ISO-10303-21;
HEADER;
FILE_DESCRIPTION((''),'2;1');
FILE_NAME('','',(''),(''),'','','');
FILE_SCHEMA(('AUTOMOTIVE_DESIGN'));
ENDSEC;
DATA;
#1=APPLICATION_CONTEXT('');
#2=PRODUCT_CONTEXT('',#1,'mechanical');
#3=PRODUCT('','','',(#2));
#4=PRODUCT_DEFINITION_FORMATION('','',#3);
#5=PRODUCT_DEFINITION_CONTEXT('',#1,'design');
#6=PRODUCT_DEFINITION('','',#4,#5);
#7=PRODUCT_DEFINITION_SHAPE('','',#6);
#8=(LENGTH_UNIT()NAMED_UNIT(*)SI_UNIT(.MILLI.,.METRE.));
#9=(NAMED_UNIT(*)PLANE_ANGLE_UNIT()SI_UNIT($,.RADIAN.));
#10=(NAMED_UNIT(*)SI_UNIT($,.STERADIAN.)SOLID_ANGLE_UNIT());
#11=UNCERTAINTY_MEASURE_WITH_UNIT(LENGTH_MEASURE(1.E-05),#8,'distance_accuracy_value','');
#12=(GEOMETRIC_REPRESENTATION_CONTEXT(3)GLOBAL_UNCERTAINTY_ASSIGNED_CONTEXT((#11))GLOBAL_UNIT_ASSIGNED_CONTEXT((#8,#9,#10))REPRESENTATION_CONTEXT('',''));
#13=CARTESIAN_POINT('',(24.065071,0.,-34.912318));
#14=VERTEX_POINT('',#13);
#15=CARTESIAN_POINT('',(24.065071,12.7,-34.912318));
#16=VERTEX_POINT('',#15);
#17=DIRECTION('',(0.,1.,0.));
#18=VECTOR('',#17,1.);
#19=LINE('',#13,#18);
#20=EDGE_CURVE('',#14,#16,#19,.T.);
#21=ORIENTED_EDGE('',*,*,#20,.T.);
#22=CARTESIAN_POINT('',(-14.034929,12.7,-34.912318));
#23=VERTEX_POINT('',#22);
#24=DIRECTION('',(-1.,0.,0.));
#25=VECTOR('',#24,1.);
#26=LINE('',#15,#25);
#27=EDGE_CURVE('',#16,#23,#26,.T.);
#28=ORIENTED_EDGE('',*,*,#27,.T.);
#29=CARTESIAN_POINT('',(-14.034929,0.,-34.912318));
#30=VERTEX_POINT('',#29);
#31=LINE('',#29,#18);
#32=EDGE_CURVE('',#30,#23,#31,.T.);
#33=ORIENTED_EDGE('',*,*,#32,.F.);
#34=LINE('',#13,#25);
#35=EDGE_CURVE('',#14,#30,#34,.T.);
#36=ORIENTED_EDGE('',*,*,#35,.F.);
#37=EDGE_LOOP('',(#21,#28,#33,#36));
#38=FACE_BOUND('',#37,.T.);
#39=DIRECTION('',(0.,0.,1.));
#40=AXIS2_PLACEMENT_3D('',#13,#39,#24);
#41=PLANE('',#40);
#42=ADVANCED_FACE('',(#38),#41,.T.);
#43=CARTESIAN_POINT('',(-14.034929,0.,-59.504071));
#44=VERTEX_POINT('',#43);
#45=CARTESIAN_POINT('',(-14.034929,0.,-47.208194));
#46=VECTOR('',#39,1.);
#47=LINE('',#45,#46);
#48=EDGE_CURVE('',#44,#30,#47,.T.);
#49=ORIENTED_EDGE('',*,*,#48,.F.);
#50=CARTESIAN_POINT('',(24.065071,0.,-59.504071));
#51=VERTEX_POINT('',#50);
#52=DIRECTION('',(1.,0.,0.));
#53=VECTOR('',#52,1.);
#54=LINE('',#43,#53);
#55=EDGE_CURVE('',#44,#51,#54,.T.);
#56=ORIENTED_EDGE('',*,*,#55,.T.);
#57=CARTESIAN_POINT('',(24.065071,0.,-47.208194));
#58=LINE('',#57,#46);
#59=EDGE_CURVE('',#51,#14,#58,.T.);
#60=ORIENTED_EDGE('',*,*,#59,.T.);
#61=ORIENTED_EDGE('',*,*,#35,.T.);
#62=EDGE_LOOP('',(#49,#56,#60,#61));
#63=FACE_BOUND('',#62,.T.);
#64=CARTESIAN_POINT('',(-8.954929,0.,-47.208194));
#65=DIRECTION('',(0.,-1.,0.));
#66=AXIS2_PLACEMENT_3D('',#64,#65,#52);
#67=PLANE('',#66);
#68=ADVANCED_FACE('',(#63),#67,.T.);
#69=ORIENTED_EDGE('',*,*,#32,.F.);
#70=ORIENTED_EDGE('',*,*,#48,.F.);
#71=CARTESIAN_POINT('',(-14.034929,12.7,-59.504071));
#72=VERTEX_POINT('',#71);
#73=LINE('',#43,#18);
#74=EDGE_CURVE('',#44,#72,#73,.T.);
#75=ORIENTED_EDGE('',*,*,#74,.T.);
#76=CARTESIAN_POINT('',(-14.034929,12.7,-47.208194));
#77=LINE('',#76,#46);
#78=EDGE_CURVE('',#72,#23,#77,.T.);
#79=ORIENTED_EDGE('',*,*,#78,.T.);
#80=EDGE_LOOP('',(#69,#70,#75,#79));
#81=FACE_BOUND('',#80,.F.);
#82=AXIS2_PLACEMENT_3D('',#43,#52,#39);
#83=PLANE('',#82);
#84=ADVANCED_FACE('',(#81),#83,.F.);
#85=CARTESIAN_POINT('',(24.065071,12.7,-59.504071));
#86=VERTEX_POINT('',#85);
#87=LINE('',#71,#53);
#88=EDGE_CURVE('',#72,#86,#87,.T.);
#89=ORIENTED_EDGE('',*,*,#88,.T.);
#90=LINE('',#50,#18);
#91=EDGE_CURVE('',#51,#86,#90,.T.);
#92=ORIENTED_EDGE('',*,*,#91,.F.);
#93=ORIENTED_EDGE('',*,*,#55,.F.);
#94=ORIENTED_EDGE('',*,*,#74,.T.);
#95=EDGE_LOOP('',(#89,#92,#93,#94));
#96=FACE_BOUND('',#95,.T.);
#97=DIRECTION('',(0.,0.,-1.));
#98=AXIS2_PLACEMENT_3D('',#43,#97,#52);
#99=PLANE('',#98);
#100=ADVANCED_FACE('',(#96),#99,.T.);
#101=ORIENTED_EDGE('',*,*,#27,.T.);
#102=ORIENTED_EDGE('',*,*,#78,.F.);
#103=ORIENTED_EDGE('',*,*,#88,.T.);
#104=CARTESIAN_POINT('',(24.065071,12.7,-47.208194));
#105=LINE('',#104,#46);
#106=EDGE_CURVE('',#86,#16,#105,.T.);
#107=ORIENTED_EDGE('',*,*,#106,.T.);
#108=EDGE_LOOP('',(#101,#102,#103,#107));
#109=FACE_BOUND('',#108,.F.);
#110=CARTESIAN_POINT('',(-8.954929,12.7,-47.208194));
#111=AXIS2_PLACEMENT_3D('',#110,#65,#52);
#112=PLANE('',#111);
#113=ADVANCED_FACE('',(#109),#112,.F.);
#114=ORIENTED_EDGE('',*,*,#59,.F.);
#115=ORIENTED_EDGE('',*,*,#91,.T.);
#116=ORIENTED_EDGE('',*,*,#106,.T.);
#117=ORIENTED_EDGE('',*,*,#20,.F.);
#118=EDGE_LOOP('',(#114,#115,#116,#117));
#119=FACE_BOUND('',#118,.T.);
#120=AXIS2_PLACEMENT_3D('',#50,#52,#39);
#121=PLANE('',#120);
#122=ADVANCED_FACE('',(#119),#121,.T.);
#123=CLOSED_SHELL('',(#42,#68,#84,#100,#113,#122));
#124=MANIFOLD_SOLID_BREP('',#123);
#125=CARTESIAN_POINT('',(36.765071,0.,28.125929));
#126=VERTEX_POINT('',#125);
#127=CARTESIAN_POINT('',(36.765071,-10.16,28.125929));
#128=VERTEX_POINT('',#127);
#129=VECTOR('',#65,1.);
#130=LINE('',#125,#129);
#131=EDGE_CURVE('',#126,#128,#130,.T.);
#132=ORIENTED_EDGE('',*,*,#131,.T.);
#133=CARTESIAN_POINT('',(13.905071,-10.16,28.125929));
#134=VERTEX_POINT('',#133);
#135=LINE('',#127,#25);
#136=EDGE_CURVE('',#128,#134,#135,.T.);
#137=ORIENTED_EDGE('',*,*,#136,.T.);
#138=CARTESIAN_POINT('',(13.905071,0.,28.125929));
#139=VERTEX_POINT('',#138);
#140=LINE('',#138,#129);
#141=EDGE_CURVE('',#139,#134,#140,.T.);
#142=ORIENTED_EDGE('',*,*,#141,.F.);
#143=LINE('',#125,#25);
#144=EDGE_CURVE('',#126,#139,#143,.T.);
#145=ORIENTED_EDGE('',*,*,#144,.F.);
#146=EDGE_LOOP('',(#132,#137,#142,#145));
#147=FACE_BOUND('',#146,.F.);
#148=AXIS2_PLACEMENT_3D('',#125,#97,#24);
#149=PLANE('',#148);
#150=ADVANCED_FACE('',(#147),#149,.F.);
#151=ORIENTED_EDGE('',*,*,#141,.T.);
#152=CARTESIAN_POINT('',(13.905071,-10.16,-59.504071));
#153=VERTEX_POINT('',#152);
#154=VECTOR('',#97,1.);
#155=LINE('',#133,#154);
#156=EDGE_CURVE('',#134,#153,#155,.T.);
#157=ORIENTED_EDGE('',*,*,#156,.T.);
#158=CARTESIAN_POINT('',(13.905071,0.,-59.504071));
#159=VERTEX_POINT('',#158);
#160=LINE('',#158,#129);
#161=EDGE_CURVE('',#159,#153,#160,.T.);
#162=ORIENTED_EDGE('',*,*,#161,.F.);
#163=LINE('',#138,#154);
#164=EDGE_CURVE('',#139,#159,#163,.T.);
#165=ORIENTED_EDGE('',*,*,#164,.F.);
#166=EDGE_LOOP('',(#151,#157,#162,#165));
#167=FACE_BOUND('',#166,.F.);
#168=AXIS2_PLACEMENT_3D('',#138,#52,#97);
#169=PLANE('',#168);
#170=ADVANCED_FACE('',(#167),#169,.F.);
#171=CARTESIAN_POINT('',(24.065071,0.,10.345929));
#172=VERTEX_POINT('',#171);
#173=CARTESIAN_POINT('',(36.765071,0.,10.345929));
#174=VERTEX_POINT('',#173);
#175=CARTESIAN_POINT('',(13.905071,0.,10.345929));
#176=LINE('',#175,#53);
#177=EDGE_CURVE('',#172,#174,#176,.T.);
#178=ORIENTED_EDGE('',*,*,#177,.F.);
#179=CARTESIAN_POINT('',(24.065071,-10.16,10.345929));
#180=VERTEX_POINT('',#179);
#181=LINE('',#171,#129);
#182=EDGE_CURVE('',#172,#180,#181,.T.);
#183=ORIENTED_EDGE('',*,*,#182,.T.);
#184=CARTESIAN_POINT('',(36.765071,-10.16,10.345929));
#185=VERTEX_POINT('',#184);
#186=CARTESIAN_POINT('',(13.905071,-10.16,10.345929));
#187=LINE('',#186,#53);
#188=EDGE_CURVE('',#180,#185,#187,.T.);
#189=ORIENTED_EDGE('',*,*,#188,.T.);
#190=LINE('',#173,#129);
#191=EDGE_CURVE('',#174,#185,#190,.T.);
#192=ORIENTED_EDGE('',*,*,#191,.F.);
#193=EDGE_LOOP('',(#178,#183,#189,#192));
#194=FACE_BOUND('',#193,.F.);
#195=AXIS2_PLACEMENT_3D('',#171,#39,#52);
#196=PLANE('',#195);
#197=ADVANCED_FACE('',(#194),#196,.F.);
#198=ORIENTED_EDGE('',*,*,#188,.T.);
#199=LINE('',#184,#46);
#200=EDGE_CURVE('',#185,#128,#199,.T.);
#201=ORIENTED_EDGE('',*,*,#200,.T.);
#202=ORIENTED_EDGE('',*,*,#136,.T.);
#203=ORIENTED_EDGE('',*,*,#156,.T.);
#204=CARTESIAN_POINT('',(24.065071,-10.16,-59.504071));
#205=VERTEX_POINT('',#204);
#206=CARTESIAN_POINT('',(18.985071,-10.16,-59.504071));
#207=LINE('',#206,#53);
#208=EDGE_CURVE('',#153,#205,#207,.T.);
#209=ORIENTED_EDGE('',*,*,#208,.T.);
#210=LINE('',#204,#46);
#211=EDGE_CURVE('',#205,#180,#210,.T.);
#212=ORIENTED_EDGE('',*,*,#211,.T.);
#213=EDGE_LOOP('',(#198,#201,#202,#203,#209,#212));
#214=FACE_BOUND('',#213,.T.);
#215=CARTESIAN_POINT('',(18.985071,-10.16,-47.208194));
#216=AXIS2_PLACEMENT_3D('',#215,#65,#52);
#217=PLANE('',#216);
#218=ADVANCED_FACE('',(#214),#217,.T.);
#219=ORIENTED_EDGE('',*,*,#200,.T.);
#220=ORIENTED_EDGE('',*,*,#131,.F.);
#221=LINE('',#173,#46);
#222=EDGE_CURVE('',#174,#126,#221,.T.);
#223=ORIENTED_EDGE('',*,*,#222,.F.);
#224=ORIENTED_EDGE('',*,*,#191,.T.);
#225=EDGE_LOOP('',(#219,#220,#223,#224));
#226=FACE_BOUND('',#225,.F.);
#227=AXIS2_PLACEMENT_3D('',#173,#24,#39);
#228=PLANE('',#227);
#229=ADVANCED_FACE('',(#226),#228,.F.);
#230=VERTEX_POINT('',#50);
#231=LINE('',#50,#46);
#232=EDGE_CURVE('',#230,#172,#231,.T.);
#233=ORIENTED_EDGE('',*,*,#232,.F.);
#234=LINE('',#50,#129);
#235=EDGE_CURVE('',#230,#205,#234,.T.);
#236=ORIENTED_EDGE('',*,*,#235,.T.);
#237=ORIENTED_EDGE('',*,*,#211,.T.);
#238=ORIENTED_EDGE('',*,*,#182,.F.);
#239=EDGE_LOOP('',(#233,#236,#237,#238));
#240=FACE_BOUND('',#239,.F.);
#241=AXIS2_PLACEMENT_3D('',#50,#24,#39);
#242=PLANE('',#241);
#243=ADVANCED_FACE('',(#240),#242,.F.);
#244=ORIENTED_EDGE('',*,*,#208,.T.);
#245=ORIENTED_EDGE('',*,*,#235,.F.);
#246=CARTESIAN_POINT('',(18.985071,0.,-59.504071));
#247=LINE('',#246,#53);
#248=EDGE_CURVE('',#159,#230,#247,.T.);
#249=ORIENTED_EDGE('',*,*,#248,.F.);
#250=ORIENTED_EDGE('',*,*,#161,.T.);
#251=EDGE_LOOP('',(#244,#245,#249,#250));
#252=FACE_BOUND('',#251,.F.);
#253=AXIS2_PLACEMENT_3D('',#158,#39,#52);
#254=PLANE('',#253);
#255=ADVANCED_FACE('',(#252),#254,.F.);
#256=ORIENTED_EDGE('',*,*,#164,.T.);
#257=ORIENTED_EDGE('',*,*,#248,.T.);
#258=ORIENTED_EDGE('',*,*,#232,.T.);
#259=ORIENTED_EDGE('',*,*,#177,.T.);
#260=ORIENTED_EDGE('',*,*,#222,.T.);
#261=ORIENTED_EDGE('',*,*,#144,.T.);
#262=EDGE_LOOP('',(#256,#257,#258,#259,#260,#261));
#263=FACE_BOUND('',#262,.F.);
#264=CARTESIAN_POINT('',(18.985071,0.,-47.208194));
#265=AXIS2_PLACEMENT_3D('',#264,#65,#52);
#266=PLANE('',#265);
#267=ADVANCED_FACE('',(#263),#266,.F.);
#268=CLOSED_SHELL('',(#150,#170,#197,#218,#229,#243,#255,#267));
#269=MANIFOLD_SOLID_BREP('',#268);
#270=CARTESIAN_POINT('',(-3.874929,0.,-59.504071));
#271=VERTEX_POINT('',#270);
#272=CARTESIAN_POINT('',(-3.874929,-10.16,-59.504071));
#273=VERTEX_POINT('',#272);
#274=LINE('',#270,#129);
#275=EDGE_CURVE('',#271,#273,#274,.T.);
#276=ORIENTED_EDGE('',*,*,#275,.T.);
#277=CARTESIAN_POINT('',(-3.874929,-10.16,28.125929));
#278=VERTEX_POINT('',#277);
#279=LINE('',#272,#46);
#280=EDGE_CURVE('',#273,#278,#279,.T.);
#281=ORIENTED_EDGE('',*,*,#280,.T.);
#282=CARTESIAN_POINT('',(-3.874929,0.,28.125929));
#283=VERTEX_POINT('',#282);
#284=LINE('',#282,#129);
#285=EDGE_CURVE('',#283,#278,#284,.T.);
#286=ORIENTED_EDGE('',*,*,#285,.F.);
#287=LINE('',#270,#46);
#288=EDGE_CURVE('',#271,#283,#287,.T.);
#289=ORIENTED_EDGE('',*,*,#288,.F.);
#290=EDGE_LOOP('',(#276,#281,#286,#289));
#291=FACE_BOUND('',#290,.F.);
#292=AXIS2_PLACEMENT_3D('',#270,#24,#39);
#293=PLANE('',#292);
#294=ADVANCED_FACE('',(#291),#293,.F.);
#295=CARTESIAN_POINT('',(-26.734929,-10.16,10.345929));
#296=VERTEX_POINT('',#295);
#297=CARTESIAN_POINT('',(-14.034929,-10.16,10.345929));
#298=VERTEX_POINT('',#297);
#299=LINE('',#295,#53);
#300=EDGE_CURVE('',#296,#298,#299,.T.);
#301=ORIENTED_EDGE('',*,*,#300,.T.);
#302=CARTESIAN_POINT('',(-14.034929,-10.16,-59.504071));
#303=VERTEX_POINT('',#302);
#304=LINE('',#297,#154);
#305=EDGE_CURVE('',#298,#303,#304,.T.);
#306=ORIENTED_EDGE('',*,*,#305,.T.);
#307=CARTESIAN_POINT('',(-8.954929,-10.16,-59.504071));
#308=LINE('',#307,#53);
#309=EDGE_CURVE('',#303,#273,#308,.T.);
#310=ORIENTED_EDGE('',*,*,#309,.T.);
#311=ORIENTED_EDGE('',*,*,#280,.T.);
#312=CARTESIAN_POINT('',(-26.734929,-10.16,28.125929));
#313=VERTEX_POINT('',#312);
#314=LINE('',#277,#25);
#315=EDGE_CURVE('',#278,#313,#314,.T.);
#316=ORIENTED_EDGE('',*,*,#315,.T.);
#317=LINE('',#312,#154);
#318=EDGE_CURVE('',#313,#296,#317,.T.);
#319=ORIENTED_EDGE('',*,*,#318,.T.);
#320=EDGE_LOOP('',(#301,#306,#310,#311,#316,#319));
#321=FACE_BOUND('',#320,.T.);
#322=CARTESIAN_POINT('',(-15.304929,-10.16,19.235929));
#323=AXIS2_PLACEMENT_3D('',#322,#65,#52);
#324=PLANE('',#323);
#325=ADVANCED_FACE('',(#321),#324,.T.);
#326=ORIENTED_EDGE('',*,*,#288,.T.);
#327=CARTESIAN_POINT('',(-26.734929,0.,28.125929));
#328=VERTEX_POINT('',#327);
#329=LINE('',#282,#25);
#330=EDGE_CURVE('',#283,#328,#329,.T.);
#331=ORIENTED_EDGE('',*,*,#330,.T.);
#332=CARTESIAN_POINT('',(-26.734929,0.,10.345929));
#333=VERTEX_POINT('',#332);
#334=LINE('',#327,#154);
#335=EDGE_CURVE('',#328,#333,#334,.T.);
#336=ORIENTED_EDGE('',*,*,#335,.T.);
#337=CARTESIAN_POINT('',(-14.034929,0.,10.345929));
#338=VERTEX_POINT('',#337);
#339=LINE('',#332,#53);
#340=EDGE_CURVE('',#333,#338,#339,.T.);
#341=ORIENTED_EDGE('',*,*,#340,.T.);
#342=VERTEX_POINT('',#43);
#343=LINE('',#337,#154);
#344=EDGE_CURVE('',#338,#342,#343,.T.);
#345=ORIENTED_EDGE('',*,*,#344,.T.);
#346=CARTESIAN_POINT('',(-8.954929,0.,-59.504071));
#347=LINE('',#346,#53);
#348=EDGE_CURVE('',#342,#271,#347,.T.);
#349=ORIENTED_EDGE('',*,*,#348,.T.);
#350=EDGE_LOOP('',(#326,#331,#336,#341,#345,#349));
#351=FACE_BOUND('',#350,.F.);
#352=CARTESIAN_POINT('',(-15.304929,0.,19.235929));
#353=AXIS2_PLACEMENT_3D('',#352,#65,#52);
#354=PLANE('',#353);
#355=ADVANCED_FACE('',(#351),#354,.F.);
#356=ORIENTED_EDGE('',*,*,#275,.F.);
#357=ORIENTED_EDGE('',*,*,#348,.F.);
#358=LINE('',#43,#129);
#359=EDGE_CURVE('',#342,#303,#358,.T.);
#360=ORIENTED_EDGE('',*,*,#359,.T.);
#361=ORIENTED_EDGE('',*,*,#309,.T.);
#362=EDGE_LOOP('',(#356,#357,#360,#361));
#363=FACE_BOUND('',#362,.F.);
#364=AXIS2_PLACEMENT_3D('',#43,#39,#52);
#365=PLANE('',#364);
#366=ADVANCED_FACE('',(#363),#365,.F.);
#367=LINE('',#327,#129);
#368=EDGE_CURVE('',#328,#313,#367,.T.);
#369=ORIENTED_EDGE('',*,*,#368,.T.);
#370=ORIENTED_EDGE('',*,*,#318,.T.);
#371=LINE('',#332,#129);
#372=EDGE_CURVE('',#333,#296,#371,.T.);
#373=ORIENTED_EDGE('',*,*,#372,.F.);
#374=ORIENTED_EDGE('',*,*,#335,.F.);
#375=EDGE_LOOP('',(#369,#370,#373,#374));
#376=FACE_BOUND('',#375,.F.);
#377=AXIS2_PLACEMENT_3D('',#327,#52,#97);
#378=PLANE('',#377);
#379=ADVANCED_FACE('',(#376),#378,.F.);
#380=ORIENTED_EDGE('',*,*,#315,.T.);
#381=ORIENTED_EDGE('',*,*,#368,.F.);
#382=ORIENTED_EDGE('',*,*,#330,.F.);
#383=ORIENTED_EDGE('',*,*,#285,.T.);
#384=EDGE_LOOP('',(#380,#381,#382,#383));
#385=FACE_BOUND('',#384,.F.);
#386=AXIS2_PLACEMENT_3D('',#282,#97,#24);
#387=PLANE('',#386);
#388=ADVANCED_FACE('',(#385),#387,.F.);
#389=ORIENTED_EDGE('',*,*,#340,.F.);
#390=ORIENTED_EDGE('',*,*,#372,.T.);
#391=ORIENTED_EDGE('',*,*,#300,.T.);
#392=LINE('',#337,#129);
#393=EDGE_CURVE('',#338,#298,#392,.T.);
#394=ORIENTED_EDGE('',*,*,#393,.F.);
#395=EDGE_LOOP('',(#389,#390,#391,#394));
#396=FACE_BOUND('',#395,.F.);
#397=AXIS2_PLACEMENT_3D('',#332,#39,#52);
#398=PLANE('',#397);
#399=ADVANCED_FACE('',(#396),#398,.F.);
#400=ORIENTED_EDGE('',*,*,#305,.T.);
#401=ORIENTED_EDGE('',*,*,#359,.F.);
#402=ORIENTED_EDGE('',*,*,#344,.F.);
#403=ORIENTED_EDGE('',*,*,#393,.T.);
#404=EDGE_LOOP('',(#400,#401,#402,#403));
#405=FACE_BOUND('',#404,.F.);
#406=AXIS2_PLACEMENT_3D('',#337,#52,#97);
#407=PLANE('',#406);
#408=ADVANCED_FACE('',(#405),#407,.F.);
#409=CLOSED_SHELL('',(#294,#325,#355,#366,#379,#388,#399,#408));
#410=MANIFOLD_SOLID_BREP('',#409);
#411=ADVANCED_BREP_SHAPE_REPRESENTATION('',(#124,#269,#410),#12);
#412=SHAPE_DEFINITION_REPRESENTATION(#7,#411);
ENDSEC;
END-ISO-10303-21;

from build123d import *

# Parameters (mm, degrees)
F0_W     = 10.16
F0_H     = 24.5917529829
F0_H_2   = 45.2582470171
F1_DEPTH = 10.16
F0_W_2   = 17.78
F2_DEPTH = 12.7


with BuildPart() as f1:
    # F0 (on Front) → F1 (new body)
    with BuildSketch(Plane.XZ):
        Polygon((-26.7349292358, 28.1259290259), (-26.7349292358, 10.3459290259), (-14.0349292358, 10.3459290259), (-3.8749292358, 10.3459290259), (-3.8749292358, 28.1259290259), align=None)
        with Locations((-8.9549292358, -47.2081944827)):
            Rectangle(F0_W, F0_H)
        with Locations((-8.9549292358, -12.2831944827)):
            Rectangle(F0_W, F0_H_2)
    extrude(amount=F1_DEPTH)


with BuildPart() as f1b:
    # F0 (on Front) → F1, piece 2 (new body)
    with BuildSketch(Plane.XZ):
        with Locations((18.9850707642, -47.2081944827)):
            Rectangle(F0_W, F0_H)
        Polygon((13.9050707642, 28.1259290259), (13.9050707642, 10.3459290259), (24.0650707642, 10.3459290259), (36.7650707642, 10.3459290259), (36.7650707642, 28.1259290259), align=None)
        with Locations((18.9850707642, -12.2831944827)):
            Rectangle(F0_W, F0_H_2)
    extrude(amount=F1_DEPTH)


with BuildPart() as f2:
    # F0 (on Front) → F2 (new body)
    with BuildSketch(Plane.XZ):
        with Locations((-8.9549292358, -47.2081944827)):
            Rectangle(F0_W, F0_H)
        with Locations((5.0150707642, -47.2081944827)):
            Rectangle(F0_W_2, F0_H)
        with Locations((18.9850707642, -47.2081944827)):
            Rectangle(F0_W, F0_H)
    extrude(amount=-F2_DEPTH)


solid = Compound([f1.part, f1b.part, f2.part])
